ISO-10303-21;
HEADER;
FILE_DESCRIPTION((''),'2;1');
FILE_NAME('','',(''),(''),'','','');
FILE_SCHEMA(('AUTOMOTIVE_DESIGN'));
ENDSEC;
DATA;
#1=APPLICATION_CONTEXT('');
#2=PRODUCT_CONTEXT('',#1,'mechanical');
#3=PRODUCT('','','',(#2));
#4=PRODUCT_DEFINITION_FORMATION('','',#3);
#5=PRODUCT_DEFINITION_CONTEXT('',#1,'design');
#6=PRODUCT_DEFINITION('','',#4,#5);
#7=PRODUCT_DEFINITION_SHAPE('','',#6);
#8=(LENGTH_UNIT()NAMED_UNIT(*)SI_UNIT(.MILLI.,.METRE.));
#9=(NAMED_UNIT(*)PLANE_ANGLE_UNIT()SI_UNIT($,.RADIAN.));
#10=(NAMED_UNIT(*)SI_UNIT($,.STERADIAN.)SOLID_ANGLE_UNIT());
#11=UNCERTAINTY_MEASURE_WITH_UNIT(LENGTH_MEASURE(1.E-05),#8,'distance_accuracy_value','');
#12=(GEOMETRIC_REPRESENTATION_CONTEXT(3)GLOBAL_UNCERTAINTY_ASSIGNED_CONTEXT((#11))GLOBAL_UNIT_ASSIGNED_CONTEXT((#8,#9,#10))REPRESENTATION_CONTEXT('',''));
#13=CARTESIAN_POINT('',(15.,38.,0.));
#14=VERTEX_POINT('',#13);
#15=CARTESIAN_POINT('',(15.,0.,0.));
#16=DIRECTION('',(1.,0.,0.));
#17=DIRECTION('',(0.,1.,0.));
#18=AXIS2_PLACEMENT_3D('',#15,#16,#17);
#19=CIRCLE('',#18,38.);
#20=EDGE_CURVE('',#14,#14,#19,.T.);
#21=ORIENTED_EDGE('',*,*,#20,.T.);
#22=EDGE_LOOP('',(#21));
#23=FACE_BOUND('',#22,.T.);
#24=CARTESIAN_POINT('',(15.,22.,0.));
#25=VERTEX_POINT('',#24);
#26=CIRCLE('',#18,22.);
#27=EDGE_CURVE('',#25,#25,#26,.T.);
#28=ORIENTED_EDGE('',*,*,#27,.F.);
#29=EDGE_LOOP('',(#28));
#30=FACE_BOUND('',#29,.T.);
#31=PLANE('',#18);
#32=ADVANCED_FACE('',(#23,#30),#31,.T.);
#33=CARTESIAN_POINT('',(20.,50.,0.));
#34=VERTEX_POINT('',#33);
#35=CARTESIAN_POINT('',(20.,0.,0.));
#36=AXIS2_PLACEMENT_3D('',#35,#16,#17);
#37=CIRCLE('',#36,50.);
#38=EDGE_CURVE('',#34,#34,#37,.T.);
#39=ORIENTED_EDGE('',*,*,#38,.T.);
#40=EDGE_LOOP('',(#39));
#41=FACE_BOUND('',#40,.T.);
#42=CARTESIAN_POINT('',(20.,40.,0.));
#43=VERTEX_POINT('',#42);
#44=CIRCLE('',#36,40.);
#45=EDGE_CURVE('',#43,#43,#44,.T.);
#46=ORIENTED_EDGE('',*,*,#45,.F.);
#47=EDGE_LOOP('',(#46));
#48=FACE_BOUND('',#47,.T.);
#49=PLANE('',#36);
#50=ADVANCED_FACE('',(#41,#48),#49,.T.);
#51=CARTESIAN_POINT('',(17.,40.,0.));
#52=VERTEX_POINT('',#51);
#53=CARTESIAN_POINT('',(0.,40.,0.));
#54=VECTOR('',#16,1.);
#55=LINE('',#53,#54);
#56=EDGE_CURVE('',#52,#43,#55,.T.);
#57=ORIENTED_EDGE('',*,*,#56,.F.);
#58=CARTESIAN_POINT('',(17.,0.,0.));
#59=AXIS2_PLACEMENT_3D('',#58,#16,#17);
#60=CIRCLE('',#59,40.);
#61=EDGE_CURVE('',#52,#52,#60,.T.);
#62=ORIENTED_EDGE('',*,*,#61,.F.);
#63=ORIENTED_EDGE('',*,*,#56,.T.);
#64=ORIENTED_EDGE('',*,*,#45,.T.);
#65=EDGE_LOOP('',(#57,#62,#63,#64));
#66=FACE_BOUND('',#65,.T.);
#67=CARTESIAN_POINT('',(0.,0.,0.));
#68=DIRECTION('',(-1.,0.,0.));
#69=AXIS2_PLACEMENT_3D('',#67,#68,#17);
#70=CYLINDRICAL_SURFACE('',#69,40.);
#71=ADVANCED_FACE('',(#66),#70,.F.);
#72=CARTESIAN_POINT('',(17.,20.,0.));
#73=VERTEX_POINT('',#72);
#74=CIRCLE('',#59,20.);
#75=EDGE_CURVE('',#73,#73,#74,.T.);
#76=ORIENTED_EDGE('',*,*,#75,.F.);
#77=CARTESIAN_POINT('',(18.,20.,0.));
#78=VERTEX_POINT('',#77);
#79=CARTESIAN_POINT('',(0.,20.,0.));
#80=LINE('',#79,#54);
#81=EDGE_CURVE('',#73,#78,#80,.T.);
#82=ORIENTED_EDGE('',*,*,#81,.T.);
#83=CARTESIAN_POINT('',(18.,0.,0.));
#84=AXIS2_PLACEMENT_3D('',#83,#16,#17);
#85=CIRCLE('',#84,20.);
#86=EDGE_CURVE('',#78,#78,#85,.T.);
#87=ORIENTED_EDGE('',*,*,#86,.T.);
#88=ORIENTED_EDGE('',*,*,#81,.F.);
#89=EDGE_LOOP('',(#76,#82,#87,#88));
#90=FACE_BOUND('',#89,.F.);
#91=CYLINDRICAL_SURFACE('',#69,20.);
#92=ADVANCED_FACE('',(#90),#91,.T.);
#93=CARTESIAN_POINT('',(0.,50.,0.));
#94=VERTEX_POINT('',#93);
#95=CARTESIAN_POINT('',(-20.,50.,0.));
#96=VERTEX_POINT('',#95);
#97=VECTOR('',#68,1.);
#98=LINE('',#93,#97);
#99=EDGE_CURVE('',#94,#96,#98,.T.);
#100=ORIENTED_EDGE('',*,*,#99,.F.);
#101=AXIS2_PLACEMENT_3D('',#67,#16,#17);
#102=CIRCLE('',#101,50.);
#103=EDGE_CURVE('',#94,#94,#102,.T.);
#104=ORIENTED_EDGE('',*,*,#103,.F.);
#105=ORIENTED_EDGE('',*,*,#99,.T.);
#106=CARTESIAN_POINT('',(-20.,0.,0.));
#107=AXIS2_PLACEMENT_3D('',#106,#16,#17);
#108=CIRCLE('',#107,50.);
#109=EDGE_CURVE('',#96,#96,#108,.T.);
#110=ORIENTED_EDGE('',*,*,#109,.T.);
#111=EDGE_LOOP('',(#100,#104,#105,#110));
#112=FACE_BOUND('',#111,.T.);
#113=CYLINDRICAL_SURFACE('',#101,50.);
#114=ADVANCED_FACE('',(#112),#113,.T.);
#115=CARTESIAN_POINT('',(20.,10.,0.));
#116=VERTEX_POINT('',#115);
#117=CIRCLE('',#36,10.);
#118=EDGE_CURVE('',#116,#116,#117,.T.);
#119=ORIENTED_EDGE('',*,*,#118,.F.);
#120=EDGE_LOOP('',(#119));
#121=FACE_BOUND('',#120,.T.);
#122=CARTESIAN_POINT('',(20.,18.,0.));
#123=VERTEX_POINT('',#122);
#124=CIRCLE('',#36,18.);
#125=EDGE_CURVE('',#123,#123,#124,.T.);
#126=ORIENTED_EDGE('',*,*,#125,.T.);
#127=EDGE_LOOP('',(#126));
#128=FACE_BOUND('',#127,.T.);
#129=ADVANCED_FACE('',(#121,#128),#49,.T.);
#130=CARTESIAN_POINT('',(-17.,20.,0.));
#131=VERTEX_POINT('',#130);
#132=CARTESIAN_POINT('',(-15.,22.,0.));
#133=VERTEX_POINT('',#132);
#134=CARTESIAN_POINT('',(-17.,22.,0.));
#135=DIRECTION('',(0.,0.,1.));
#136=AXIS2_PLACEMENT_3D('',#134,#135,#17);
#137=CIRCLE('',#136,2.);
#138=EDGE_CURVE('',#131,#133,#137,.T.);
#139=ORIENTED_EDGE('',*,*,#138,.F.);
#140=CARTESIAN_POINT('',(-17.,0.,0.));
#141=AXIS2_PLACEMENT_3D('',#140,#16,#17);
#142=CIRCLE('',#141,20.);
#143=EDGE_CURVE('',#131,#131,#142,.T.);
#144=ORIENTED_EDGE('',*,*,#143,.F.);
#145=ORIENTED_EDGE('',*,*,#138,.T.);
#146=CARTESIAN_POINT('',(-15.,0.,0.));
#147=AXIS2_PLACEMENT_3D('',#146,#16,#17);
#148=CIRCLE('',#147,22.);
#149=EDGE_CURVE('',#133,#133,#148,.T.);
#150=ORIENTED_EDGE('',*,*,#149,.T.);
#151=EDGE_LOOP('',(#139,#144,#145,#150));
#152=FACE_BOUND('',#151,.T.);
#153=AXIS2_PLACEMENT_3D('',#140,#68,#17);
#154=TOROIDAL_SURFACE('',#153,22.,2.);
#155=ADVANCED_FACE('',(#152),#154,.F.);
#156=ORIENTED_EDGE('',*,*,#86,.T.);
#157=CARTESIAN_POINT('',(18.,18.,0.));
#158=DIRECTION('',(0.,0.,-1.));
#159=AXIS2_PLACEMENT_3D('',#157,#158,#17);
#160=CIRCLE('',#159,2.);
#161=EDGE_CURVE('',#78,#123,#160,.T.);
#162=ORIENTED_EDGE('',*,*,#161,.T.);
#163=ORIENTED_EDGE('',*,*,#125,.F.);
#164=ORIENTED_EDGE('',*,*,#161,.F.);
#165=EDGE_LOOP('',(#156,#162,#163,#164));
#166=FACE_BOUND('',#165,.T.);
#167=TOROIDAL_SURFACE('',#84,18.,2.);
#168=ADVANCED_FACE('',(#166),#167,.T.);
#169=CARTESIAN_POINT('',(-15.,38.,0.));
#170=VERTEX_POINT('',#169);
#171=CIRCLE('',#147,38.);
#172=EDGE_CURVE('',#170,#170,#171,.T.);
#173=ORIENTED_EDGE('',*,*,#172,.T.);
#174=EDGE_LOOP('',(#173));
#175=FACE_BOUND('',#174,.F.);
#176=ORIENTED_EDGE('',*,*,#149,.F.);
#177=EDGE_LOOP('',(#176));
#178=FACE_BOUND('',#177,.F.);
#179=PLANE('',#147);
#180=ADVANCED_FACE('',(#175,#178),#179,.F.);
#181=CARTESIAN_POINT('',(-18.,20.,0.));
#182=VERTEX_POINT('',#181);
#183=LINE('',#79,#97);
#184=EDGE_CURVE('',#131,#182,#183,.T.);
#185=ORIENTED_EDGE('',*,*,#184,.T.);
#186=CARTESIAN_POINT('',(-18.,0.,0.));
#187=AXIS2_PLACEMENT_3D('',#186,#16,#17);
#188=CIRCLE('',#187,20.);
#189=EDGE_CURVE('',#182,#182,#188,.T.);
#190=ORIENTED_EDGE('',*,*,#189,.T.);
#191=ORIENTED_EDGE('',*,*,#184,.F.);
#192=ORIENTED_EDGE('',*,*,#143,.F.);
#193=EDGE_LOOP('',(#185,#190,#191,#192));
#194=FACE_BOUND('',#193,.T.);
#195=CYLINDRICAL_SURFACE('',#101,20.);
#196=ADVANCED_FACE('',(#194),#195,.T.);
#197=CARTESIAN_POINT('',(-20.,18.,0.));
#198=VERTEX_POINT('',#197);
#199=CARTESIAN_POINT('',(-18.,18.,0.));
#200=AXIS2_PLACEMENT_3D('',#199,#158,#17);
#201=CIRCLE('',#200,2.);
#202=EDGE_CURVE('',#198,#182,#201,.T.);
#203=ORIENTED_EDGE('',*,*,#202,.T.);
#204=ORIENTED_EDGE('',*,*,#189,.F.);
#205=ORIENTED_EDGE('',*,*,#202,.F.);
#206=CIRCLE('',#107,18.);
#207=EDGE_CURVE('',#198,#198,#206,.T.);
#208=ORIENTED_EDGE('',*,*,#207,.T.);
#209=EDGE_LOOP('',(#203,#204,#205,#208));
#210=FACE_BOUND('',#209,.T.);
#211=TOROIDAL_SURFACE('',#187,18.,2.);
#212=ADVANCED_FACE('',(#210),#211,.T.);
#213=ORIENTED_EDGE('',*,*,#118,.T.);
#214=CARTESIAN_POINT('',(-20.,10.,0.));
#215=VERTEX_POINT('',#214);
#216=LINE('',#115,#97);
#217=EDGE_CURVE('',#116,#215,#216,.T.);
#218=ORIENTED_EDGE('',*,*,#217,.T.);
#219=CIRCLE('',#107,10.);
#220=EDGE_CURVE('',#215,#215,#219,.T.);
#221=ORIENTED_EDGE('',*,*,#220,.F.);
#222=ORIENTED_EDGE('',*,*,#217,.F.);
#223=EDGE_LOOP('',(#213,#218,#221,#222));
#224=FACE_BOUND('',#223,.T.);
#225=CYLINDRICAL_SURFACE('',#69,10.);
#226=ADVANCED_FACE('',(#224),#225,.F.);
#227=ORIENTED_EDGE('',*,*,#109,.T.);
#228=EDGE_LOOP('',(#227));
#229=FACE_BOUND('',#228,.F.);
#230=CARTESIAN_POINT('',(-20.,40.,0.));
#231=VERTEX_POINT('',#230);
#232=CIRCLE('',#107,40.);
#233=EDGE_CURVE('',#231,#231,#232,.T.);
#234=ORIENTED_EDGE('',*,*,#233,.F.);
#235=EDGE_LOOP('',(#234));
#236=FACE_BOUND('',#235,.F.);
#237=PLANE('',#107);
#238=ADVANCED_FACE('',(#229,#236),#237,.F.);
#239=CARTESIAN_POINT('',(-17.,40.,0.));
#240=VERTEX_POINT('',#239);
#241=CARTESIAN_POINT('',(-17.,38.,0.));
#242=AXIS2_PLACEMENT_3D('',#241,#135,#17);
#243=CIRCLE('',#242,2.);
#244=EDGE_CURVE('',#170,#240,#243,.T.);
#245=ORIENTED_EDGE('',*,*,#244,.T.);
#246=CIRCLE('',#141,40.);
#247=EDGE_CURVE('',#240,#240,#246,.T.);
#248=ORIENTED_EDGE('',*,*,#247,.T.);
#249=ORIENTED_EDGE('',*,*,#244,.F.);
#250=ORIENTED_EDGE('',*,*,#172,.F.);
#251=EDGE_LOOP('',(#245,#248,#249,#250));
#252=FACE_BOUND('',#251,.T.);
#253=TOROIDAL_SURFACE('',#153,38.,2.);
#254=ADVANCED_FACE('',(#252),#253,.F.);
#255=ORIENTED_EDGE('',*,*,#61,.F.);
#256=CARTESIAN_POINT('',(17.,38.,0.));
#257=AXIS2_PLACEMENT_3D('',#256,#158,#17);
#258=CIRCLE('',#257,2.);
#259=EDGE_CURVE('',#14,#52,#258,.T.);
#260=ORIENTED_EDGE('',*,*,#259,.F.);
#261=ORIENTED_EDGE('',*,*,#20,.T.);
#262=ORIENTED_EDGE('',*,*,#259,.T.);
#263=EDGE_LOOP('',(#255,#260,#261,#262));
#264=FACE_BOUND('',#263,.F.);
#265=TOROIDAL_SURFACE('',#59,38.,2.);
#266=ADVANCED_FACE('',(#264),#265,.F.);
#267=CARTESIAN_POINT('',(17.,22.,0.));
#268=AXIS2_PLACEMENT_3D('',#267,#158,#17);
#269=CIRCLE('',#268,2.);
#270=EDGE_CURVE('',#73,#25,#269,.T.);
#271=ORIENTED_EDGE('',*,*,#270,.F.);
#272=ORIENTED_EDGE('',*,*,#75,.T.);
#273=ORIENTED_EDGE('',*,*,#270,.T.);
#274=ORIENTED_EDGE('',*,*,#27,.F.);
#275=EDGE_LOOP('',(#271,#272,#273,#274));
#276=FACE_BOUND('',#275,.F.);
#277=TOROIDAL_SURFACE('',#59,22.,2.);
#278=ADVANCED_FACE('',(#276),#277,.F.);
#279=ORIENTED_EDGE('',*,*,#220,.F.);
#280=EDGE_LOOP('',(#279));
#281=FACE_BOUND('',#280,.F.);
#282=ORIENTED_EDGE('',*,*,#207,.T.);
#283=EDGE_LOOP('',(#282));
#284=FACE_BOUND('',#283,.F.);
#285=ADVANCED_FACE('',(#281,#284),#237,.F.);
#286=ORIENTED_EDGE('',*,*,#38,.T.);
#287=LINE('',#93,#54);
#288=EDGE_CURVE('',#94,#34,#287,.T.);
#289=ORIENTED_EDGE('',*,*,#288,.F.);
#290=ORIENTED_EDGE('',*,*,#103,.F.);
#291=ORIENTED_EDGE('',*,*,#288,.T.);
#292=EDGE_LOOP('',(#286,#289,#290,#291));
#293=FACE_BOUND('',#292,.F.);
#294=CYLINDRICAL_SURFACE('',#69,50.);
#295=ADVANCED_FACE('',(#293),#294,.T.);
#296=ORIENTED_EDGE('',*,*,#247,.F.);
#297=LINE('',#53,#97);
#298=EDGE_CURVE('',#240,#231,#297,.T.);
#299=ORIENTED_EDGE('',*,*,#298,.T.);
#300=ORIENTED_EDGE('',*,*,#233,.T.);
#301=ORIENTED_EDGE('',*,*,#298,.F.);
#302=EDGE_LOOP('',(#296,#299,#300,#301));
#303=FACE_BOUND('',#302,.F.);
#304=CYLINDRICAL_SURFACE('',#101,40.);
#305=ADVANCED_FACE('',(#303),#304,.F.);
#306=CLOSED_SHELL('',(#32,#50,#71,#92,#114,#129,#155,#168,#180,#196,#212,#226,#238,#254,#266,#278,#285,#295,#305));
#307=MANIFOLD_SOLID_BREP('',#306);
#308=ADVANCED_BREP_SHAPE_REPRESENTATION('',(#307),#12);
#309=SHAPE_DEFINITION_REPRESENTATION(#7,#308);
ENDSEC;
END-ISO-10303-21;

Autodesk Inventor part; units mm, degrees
ref_plane "YZ Plane" through (0, 0, 0) normal (1, 0, 0) x (0, 1, 0)
ref_plane "XZ Plane" through (0, 0, 0) normal (0, 1, 0) x (-1, 0, 0)
ref_plane "XY Plane" through (0, 0, 0) normal (0, 0, 1) x (1, 0, 0)
sketch "Sketch1" plane through (0, 0, 0) normal (1, 0, 0) x (0, 1, 0)
  circle A0 centre (0, 0) radius 10
  circle A1 centre (0, 0) radius 20
  circle A2 centre (0, 0) radius 40
  circle A3 centre (0, 0) radius 50
  dimension "d0" = 20
  dimension "d1" = 40
  dimension "d2" = 80
  dimension "d3" = 100
extrude "Extrusion1" add sketch "Sketch1" along normal mid plane 40
extrude "Extrusion3" add sketch "Sketch1" along normal mid plane 30 contours A2
fillet "Fillet1" radius 2 6 edges at (15, -40, 0) (-15, -40, 0) (20, -20, 0) (15, -20, 0) (-20, -20, 0) (-15, -20, 0)
